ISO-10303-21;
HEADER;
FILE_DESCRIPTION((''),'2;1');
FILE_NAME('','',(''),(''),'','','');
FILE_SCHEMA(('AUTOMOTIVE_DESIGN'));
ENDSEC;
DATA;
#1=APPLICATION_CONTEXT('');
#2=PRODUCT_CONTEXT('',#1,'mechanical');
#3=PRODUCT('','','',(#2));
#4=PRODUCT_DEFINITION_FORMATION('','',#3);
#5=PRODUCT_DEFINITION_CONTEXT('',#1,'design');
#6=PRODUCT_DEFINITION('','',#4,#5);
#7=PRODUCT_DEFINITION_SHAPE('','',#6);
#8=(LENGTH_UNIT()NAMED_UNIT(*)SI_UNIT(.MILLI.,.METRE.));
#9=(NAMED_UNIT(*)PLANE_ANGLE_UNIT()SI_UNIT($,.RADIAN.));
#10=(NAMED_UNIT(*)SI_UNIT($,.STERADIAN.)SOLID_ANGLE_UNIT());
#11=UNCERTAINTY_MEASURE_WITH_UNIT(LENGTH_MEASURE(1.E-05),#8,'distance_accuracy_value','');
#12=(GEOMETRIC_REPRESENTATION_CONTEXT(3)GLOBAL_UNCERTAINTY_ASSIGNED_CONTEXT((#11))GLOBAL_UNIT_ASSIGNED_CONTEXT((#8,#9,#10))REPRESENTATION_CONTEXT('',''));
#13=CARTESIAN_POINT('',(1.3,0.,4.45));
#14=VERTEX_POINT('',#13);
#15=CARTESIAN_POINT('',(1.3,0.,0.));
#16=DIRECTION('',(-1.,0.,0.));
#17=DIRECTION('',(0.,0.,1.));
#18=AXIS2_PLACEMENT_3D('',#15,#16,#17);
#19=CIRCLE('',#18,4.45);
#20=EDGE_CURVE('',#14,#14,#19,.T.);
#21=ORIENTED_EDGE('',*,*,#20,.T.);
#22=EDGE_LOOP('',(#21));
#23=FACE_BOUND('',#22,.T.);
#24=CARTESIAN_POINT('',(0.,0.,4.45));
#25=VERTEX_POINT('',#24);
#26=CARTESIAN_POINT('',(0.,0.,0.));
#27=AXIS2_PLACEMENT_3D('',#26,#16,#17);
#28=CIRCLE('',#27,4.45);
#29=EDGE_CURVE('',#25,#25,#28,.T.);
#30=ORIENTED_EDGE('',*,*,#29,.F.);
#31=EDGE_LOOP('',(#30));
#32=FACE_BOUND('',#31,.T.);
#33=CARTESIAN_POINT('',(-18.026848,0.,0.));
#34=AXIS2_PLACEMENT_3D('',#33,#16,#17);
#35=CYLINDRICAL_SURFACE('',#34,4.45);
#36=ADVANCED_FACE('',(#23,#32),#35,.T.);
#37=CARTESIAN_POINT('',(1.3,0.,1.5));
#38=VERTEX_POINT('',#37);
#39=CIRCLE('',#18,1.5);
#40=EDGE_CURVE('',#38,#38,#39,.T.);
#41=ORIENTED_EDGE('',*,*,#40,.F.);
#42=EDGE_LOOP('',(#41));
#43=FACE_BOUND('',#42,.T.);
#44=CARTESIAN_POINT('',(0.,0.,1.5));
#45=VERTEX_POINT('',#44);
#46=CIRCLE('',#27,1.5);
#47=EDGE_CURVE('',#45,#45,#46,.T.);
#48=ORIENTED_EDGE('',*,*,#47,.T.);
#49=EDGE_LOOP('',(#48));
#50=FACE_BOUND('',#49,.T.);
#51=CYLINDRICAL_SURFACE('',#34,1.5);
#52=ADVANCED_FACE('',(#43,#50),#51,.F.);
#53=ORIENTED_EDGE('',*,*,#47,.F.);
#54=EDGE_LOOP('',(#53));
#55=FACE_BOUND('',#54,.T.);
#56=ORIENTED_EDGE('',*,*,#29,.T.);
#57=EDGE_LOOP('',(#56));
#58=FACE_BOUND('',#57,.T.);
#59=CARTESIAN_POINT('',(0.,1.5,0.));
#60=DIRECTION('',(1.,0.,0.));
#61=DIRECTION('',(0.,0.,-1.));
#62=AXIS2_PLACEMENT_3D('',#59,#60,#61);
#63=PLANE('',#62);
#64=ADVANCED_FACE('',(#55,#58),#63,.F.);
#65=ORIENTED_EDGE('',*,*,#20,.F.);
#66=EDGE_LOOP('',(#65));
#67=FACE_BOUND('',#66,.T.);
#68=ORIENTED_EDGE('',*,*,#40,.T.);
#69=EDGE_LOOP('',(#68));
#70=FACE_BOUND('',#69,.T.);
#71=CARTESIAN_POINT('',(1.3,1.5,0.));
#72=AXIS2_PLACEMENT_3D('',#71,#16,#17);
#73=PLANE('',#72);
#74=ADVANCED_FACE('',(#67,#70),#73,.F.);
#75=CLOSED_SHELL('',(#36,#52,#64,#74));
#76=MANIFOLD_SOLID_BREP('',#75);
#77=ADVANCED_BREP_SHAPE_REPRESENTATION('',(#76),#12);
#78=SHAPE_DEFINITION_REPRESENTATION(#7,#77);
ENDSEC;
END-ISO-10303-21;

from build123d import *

# Parameters (mm, degrees)
SKETCH1_W = 1.3
SKETCH1_H = 2.95


with BuildPart() as part:
    # Sketch1 → Revolve1 (revolve)
    with BuildSketch(Plane.XY):
        with Locations((0.65, 2.975)):
            Rectangle(SKETCH1_W, SKETCH1_H)
    revolve(axis=Axis((-18.026847945, 0, 0), (1, 0, 0)))


solid = part.part
